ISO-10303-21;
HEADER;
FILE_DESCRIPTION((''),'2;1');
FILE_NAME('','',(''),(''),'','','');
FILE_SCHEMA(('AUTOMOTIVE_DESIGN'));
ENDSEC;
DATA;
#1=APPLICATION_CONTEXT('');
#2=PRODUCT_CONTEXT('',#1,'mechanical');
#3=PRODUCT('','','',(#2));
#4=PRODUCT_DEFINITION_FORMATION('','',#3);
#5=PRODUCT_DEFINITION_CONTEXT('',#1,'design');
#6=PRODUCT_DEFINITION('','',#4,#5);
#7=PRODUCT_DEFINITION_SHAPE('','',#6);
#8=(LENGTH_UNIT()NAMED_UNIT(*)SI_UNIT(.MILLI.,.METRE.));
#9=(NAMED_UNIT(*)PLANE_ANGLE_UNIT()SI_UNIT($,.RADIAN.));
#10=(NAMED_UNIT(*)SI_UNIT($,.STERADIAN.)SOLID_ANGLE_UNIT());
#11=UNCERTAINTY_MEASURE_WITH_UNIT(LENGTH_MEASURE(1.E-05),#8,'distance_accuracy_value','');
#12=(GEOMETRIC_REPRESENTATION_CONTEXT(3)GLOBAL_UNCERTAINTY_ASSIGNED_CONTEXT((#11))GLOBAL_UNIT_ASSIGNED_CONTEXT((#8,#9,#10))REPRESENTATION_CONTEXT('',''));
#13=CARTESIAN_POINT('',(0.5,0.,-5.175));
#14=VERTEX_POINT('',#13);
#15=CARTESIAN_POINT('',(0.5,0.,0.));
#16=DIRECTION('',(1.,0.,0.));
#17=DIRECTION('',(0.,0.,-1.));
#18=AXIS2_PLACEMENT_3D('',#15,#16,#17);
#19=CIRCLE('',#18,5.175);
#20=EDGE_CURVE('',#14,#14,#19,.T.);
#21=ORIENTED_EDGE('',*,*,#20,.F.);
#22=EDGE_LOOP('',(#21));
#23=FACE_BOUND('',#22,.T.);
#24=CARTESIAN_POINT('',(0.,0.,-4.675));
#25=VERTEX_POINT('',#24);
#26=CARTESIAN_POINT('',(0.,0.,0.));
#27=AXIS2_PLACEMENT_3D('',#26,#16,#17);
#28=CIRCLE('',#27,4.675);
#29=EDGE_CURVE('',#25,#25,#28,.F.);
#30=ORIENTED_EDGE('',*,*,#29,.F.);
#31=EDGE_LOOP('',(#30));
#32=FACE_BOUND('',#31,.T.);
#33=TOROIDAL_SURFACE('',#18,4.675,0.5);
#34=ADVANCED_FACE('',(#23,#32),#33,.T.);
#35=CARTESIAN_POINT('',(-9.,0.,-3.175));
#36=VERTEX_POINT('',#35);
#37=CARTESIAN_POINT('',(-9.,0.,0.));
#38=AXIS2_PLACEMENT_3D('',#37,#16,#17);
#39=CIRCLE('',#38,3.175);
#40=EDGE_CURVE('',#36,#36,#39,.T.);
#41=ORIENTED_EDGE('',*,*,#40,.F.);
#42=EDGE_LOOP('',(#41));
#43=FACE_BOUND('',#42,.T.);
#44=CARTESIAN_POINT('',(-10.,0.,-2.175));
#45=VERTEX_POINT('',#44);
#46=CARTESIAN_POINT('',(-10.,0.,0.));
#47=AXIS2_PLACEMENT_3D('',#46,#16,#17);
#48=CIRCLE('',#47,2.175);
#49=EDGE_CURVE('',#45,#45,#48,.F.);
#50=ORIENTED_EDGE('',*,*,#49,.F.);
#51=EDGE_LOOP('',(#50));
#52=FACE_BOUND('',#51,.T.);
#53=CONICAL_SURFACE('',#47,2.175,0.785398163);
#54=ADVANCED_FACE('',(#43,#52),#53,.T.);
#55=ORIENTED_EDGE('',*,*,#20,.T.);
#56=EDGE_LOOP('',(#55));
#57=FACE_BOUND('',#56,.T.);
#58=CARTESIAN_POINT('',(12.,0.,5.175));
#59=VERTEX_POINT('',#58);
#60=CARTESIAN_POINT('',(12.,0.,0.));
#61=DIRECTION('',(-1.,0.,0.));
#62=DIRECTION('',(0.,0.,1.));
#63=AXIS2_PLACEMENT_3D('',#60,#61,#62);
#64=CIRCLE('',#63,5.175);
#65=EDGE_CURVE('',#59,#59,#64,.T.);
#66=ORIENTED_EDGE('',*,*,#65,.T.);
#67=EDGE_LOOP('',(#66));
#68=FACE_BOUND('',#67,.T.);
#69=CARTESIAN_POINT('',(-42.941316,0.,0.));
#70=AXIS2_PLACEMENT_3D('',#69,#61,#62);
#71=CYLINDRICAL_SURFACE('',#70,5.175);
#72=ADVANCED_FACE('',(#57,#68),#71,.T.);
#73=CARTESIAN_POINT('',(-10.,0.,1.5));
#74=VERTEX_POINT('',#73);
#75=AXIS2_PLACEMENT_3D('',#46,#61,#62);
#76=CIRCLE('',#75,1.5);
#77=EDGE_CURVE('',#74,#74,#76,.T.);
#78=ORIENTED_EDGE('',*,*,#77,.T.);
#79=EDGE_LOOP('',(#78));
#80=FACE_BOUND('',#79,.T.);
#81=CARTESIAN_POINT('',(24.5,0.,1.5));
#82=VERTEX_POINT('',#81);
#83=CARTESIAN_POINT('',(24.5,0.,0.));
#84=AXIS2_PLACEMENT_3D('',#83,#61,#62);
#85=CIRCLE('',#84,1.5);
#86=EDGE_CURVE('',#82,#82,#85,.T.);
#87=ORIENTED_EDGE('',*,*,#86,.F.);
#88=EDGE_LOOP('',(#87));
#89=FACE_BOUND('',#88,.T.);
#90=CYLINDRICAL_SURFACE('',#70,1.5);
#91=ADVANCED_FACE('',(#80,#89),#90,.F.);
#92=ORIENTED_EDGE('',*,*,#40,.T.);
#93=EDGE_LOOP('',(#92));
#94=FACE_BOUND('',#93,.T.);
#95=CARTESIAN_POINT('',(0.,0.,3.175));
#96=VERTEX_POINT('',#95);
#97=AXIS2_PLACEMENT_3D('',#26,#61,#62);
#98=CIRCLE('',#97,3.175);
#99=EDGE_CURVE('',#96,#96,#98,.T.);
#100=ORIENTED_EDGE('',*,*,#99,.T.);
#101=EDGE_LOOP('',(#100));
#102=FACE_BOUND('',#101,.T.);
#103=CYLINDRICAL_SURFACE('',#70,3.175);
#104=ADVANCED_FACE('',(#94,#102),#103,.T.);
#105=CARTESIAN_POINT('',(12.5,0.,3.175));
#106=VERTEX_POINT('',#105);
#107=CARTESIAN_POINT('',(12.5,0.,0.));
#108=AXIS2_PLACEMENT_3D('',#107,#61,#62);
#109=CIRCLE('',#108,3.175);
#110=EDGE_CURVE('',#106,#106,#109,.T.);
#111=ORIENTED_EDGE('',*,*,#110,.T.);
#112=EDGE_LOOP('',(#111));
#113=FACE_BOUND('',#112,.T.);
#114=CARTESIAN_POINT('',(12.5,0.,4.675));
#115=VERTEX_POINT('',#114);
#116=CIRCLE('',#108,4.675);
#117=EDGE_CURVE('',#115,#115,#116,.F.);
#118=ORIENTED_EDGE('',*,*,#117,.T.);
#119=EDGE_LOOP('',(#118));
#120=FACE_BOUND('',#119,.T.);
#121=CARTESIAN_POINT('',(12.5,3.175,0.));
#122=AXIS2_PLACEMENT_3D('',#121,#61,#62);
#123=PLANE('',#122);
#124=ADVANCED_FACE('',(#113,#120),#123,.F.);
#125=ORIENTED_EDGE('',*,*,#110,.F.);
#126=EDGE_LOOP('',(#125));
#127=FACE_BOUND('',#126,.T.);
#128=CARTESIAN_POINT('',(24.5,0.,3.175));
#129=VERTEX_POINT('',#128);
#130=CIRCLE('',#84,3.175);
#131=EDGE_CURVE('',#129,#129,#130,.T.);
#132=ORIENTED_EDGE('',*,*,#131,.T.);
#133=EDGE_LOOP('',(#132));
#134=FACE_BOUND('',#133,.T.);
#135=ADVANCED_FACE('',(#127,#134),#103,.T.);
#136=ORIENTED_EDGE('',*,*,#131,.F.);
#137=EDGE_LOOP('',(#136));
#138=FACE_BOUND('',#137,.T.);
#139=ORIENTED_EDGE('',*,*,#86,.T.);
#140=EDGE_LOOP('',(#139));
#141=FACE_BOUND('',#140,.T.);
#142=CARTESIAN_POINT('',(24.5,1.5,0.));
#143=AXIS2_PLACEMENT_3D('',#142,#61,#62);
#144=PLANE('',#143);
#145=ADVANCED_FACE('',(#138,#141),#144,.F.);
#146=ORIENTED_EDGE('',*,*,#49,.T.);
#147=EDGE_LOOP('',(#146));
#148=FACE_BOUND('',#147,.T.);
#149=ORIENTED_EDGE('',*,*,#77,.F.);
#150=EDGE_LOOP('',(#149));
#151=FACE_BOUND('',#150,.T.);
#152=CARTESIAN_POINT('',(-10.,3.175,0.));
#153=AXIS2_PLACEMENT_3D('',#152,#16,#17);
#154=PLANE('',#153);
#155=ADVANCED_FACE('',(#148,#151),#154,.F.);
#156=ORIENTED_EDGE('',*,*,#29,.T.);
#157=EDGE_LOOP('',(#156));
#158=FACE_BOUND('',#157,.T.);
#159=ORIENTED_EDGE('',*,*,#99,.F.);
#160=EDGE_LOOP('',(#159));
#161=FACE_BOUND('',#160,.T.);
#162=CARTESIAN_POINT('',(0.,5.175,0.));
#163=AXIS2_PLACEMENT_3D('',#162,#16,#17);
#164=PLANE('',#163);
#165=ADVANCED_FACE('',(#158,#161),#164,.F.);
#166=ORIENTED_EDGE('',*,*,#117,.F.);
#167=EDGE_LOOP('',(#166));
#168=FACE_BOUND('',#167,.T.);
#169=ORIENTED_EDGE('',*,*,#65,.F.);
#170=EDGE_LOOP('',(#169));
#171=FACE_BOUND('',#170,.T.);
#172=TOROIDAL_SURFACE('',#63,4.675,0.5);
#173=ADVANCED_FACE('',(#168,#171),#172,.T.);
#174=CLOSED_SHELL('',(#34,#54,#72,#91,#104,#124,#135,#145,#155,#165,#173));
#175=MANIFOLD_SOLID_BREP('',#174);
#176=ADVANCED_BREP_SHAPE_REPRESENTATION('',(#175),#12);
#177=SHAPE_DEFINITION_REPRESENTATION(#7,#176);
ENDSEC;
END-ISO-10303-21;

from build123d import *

# Parameters (mm, degrees)
CHAMFER1_SIZE = 1
FILLET1_R     = 0.5


with BuildPart() as part:
    # Sketch1 → Revolve1 (revolve)
    with BuildSketch(Plane.XY):
        Polygon((24.5, 3.175), (12.5, 3.175), (12.5, 5.175), (0, 5.175), (0, 3.175), (-10, 3.175), (-10, 1.5), (24.5, 1.5), align=None)
    revolve(axis=Axis((-42.941315625, 0, 0), (1, 0, 0)))

    # Chamfer1
    chamfer1_edges = [part.edges().sort_by_distance(p)[0] for p in [
        (-10, -3.175, 0),
    ]]
    chamfer(chamfer1_edges, length=CHAMFER1_SIZE)

    # Fillet1
    fillet1_edges = [part.edges().sort_by_distance(p)[0] for p in [
        (0, -5.175, 0),
        (12.5, -5.175, 0),
    ]]
    fillet(fillet1_edges, radius=FILLET1_R)


solid = part.part
